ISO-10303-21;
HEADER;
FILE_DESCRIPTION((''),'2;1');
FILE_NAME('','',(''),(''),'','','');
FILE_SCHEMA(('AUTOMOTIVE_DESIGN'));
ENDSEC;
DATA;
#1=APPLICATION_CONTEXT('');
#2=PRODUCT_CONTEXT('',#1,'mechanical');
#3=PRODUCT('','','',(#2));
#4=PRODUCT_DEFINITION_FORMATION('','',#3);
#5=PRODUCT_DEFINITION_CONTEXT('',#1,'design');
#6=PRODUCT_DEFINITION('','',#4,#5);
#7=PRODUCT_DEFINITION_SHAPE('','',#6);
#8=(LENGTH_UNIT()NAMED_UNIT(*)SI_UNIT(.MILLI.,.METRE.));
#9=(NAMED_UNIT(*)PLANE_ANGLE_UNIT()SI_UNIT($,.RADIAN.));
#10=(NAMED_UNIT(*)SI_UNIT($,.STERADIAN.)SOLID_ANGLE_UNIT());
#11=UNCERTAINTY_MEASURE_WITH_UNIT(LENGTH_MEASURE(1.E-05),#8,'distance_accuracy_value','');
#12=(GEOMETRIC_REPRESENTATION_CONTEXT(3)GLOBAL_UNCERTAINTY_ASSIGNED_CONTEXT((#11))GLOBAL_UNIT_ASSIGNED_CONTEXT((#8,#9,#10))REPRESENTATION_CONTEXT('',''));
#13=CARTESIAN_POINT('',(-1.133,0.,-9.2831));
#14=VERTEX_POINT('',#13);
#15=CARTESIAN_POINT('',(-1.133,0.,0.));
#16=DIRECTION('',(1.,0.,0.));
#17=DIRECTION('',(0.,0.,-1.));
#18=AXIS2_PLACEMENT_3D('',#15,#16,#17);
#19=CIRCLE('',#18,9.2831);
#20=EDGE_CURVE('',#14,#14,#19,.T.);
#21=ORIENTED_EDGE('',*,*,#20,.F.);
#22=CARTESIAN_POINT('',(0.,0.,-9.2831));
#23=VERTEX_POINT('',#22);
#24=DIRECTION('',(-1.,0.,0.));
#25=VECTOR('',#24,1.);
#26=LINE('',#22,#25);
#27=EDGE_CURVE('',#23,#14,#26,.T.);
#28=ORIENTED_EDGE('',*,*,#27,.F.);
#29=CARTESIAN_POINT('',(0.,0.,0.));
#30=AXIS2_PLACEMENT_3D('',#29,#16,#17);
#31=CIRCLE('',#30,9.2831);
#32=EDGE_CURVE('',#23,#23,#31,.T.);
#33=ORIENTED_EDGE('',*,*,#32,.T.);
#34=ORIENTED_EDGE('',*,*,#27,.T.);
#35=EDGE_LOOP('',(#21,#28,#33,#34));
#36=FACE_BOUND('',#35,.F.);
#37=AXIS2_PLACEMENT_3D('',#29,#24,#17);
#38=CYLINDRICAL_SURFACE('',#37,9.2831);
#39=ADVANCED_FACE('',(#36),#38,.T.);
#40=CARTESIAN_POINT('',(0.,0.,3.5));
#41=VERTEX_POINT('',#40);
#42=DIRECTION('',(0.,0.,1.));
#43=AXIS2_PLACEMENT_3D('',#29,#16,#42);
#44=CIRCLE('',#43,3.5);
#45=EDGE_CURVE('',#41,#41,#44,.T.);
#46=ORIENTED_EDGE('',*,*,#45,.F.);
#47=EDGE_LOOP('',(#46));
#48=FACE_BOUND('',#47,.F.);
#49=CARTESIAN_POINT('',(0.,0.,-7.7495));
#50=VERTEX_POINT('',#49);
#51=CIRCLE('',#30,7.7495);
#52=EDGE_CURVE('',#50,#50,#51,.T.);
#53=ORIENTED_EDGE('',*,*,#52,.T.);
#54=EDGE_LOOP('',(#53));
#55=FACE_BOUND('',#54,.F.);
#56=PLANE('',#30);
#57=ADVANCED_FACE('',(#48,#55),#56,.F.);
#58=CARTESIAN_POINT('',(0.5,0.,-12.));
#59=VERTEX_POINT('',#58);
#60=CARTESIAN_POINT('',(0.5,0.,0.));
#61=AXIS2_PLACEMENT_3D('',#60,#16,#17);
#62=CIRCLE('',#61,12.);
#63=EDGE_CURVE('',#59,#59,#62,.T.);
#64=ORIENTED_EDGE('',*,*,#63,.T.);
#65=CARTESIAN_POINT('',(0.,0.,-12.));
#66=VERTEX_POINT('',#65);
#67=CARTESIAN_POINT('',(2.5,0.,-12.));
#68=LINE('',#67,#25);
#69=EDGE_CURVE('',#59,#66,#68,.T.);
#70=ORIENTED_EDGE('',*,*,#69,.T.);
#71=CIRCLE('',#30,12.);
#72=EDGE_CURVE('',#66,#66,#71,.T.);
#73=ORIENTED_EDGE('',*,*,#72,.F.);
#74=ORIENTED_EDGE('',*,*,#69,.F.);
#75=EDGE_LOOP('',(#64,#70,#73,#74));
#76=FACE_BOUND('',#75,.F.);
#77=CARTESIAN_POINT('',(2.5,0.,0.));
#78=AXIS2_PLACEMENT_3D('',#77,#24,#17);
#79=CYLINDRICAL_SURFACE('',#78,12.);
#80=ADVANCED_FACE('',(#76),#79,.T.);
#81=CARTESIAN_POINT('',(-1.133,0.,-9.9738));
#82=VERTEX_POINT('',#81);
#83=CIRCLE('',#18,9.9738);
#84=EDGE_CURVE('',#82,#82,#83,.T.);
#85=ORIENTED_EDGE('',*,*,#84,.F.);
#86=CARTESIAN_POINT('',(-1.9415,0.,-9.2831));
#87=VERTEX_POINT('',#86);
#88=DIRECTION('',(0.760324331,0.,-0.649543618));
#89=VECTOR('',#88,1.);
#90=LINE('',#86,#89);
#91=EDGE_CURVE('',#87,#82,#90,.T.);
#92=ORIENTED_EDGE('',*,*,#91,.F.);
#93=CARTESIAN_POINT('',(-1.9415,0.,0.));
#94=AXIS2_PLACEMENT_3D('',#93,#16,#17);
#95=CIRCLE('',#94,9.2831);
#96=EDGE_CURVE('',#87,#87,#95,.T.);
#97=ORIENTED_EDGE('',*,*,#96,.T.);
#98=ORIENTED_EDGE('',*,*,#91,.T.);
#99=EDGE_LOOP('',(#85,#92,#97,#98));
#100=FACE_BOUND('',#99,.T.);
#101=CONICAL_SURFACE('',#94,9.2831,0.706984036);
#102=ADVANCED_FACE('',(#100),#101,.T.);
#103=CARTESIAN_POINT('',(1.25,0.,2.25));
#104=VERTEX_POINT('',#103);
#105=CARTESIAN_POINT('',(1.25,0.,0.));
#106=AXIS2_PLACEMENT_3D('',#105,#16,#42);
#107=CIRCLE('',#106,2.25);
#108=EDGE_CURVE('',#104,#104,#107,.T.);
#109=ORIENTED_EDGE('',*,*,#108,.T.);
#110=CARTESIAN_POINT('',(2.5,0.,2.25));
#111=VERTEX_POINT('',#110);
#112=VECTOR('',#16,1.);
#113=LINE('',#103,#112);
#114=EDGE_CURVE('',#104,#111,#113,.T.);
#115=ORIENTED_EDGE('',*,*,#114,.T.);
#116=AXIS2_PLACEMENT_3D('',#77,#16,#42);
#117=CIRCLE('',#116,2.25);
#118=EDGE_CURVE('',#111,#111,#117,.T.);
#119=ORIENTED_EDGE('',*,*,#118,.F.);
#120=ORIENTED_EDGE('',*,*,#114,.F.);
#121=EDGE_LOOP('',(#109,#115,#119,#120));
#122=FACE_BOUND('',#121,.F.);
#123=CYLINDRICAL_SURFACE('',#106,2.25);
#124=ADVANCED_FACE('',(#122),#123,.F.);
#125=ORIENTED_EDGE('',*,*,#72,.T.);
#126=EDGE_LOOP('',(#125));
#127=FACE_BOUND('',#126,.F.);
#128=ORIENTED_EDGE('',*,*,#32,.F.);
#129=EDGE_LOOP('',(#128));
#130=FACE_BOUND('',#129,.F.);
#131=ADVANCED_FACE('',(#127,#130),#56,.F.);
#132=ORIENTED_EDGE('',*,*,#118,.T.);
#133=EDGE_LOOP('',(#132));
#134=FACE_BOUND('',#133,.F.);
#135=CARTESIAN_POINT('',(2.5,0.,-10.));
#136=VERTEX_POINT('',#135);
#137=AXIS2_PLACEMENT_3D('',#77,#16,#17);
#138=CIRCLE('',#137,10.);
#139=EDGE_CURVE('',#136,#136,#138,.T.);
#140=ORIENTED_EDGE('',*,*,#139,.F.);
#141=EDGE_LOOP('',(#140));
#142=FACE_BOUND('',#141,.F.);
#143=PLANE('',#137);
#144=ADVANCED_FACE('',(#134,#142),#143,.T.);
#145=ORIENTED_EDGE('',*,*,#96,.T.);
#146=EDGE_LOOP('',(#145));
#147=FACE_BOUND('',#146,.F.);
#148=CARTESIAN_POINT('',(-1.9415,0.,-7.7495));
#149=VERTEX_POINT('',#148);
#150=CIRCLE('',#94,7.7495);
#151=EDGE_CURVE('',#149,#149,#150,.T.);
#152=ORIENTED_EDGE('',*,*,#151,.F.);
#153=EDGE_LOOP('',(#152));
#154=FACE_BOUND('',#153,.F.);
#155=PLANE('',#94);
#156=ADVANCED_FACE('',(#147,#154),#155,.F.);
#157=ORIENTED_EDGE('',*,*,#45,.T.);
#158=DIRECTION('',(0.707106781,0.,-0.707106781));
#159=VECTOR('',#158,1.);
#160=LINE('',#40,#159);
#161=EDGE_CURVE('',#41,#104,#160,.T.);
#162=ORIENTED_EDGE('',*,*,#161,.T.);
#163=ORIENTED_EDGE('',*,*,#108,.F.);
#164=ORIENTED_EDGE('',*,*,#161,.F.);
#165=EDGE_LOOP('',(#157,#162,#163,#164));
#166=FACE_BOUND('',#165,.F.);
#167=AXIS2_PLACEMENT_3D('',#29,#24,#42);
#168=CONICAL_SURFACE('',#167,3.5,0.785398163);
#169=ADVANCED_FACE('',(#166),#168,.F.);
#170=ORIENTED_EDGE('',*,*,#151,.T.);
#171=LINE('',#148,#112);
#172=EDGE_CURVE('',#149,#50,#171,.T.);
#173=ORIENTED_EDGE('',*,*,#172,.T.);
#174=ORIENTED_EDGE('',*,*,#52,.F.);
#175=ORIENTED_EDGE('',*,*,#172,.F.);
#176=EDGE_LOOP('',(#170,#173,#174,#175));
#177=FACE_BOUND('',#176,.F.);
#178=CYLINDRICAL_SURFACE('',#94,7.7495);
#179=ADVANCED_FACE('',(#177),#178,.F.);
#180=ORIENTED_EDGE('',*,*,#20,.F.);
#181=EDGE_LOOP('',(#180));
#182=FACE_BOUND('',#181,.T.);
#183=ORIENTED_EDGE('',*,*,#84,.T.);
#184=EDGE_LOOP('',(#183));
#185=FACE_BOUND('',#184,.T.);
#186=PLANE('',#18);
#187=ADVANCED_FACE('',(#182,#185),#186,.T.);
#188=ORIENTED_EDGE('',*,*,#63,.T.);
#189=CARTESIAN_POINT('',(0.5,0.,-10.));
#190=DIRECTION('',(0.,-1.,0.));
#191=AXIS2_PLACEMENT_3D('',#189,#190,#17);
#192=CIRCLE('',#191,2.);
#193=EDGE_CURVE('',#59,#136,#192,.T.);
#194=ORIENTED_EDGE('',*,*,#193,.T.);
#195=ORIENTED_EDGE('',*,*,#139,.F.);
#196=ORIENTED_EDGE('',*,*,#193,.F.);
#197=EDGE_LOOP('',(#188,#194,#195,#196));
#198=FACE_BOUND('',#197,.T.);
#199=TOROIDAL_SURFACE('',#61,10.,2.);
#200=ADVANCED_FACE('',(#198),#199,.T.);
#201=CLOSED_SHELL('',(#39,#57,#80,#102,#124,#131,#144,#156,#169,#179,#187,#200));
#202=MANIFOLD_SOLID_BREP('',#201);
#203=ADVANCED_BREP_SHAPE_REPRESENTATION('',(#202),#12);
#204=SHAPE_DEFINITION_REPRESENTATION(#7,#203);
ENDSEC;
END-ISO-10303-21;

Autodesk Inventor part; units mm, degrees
ref_plane "YZ Plane" through (0, 0, 0) normal (1, 0, 0) x (0, 1, 0)
ref_plane "XZ Plane" through (0, 0, 0) normal (0, 1, 0) x (-1, 0, 0)
ref_plane "XY Plane" through (0, 0, 0) normal (0, 0, 1) x (1, 0, 0)
sketch "Schizzo3" plane through (0, 0, 0) normal (0, 1, 0) x (-1, 0, 0)
  line L0 (0, 0) -> (-2.5, 0)
  line L1 (-2.5, 0) -> (-2.5, -12)
  line L2 (-2.5, -12) -> (0, -12)
  line L3 (0, -12) -> (0, -9.2831)
  line L4 (0, -9.2831) -> (1.9415, -9.2831)
  line L5 (1.9415, -9.2831) -> (1.9415, -7.7495)
  line L6 (1.9415, -7.7495) -> (0, -7.7495)
  line L7 (0, -7.7495) -> (0, 0)
  line L8 (1.9415, -9.2831) -> (1.133, -9.9738)
  line L9 (1.133, -9.9738) -> (1.133, -9.2831)
  dimension "d5" = 2.5
  dimension "d6" = 12
revolve "Rivoluzione1" add sketch "Schizzo3" angle 360 about axis through (0, 0, 0) along (1, 0, 0)
fillet "Raccordo1" radius 2 1 edges at (2.5, 0, 12)
sketch "Schizzo6" plane through (0, 0, 0) normal (-1, 0, 0) x (0, 0, 1)
  point P0 (0, 0)
  point P1 (0, 0)
hole "Foro1" at (0, 0, 0) direction (1, 0, 0) diameter 4.5 depth 8 countersink diameter 7 countersink angle 90
